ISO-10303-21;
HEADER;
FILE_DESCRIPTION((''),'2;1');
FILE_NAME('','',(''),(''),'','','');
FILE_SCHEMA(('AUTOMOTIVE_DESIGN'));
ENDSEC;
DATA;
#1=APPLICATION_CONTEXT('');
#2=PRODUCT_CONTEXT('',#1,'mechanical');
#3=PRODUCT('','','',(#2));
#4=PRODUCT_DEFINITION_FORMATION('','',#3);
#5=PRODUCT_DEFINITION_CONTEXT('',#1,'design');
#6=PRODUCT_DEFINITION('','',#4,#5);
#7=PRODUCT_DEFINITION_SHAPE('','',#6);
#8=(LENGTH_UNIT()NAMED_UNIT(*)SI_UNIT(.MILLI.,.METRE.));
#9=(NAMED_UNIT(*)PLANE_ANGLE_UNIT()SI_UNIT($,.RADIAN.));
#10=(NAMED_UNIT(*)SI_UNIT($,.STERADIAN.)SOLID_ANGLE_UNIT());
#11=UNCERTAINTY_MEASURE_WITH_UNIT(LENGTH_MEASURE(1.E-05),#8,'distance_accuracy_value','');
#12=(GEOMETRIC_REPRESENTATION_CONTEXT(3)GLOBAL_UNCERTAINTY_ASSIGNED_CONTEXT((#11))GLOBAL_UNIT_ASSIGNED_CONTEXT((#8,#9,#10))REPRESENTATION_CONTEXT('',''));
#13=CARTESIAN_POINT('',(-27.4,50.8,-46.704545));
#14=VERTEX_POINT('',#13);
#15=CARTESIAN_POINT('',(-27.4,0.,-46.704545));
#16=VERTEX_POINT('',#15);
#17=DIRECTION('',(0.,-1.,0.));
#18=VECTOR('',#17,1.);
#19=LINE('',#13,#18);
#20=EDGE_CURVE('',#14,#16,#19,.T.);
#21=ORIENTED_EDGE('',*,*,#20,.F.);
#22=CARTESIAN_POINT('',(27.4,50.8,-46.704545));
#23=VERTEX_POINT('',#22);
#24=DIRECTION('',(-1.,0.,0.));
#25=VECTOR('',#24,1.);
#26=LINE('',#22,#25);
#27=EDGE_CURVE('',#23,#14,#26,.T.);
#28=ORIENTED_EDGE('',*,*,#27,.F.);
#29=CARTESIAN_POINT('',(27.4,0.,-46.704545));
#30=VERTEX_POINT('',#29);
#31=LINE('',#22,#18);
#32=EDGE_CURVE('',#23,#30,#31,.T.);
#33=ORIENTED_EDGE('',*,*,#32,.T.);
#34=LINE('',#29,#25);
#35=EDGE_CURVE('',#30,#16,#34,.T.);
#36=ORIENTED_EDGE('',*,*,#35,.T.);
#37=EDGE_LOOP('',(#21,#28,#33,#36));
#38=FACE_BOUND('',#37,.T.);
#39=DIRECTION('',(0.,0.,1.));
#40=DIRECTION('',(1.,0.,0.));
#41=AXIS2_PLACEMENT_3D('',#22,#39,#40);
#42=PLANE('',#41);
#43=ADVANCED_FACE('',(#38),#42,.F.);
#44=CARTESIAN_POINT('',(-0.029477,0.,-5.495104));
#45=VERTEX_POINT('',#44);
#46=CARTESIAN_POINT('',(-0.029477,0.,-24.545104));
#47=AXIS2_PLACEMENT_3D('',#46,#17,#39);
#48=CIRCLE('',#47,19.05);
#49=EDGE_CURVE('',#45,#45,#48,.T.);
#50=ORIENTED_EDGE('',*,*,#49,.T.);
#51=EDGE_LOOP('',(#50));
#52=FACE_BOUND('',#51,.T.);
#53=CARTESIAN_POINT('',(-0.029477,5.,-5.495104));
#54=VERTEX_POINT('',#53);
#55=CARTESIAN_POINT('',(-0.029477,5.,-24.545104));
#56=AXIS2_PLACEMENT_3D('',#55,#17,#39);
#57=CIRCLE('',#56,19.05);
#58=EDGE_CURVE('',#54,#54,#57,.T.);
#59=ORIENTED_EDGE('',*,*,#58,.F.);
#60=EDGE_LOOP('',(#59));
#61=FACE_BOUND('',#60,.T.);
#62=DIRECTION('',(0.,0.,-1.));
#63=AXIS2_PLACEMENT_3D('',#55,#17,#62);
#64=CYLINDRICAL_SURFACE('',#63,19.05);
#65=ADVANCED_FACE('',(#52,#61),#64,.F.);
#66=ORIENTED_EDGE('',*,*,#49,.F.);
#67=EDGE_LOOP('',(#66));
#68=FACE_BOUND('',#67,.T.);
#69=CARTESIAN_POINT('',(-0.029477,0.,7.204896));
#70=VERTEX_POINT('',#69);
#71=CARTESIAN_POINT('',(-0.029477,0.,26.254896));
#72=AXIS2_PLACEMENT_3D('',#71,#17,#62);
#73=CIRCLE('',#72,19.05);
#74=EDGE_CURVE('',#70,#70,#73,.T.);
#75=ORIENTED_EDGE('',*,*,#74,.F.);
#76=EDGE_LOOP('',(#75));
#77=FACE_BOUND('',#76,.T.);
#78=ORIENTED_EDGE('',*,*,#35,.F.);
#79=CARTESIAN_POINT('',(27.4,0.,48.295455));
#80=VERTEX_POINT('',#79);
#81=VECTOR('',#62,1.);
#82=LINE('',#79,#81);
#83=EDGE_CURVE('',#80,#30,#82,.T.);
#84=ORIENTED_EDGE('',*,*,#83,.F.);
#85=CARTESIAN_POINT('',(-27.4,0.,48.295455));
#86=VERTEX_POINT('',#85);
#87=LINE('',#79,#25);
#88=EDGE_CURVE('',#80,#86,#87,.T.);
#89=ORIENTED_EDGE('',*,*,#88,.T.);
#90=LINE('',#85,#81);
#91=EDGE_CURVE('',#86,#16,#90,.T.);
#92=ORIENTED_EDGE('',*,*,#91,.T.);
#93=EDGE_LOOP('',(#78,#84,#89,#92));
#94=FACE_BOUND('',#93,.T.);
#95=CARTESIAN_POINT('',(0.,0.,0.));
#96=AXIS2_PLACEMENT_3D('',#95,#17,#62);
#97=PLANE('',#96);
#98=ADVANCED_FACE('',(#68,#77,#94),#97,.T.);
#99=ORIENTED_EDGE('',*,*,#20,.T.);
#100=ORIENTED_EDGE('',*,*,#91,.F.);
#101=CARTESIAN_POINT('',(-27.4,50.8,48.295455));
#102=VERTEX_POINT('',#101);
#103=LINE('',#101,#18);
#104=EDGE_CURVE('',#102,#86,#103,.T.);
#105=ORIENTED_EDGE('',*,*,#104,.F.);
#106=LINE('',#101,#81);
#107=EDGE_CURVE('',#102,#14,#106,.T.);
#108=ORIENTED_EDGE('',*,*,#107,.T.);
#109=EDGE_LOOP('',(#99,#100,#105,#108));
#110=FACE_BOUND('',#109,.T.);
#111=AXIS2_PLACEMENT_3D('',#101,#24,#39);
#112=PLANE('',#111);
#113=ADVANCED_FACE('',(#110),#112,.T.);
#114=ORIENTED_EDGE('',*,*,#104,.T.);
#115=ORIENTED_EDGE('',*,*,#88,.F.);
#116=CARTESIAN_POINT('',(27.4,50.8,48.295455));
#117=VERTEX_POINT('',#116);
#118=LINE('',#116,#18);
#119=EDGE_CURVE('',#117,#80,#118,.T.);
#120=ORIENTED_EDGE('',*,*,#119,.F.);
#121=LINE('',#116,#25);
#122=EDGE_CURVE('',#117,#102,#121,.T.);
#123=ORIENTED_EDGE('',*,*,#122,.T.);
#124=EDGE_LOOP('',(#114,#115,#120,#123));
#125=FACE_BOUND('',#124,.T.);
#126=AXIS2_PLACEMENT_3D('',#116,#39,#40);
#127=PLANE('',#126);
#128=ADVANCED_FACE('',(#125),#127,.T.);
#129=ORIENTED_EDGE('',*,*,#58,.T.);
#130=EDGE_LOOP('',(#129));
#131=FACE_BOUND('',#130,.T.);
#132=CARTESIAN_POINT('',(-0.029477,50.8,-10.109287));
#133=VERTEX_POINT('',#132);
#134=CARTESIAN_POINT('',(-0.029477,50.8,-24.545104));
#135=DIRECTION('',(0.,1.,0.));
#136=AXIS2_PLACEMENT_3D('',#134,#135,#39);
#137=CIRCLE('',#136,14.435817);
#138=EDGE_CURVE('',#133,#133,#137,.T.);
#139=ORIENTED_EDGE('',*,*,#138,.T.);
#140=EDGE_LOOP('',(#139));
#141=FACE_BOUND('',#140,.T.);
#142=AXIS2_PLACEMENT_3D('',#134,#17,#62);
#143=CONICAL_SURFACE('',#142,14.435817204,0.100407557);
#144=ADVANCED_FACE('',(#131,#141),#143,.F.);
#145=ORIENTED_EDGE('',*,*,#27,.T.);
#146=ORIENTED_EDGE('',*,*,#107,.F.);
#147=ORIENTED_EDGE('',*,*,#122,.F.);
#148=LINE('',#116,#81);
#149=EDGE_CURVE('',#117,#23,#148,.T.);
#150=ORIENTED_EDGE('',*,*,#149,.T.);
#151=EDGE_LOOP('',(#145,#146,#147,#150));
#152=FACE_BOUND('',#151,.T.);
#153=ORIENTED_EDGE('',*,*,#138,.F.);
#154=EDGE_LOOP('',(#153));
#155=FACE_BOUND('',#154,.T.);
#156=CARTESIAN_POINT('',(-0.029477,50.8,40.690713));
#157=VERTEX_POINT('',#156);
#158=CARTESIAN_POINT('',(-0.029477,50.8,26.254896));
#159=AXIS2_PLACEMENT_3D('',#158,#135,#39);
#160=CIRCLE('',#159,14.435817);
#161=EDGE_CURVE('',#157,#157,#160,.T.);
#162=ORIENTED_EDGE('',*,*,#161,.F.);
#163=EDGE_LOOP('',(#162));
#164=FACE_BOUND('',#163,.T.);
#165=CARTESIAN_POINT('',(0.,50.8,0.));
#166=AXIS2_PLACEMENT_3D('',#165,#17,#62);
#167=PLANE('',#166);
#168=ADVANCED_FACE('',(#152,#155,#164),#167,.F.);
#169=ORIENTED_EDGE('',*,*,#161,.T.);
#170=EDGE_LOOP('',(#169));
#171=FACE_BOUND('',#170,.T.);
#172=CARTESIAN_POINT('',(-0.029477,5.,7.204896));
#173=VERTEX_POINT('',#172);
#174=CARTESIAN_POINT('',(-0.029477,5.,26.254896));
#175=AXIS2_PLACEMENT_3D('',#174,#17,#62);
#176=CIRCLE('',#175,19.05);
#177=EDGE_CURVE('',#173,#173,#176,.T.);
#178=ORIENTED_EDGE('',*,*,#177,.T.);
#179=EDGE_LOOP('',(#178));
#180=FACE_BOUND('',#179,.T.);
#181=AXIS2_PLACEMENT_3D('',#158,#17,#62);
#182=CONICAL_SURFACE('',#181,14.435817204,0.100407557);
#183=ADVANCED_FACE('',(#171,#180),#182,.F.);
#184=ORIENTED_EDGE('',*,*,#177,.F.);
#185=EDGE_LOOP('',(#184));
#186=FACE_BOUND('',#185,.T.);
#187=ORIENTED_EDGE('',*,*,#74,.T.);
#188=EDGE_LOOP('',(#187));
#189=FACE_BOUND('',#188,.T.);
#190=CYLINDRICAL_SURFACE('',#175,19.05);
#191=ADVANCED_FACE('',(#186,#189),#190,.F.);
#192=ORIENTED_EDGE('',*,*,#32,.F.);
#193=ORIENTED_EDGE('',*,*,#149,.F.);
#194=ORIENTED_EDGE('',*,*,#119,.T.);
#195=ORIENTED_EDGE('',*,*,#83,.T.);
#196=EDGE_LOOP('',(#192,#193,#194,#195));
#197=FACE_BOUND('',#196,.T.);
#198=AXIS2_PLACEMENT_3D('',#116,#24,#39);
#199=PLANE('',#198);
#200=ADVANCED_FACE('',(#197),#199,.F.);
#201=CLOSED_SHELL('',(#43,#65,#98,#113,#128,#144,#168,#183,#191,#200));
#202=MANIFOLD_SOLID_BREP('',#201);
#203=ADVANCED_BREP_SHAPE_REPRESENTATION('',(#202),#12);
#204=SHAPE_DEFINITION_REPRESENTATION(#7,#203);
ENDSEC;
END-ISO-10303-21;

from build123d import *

# Parameters (mm, degrees)
SKETCH2_W           = 54.8
SKETCH2_H           = 95
BOSS_EXTRUDE1_DEPTH = 50.8
SKETCH3_R           = 19.05
CUT_EXTRUDE1_DEPTH  = 5
SKETCH4_R           = 14.435817204
SKETCH4_166_R       = 14.435817204


with BuildPart() as part:
    # Sketch2 → Boss-Extrude1 (new body)
    with BuildSketch(Plane(origin=(0, 0, 0), x_dir=(1, 0, 0), z_dir=(0, 1, 0))):
        with Locations((0, -0.795454545)):
            Rectangle(SKETCH2_W, SKETCH2_H)
    extrude(amount=BOSS_EXTRUDE1_DEPTH)

    # Sketch3 → Cut-Extrude1 (cut)
    with BuildSketch(Plane.XZ):
        with Locations(Location((-0.029477, 26.254895545, 0), (0, 0, 270))):
            Circle(SKETCH3_R)
        with Locations(Location((-0.029477, -24.545104455, 0), (0, 0, 90))):
            Circle(SKETCH3_R)
    extrude(amount=-CUT_EXTRUDE1_DEPTH, mode=Mode.SUBTRACT)

    # Sketch4 → section 0 of cut_loft1
    with BuildSketch(Plane(origin=(0, 50.8, 0), x_dir=(1, 0, 0), z_dir=(0, 1, 0)), mode=Mode.PRIVATE) as cut_loft1_s0:
        with Locations((-0.029477, 24.545104455)):
            Circle(SKETCH4_R)
    # loft up to a face of the part (cut_loft1)
    loft([cut_loft1_s0.sketch, Face(Wire([part.edges().sort_by_distance((-13.916329352, 5, -37.585726822))[0]]))], mode=Mode.SUBTRACT)

    # Sketch4<166> → section 0 of cut_loft2
    with BuildSketch(Plane(origin=(0, 50.8, 0), x_dir=(1, 0, 0), z_dir=(0, 1, 0)), mode=Mode.PRIVATE) as cut_loft2_s0:
        with Locations((-0.029477, -26.254895545)):
            Circle(SKETCH4_166_R)
    # loft up to a face of the part (cut_loft2)
    loft([cut_loft2_s0.sketch, Face(Wire([part.edges().sort_by_distance((13.857375352, 5, 39.295517913))[0]]))], mode=Mode.SUBTRACT)


solid = part.part
